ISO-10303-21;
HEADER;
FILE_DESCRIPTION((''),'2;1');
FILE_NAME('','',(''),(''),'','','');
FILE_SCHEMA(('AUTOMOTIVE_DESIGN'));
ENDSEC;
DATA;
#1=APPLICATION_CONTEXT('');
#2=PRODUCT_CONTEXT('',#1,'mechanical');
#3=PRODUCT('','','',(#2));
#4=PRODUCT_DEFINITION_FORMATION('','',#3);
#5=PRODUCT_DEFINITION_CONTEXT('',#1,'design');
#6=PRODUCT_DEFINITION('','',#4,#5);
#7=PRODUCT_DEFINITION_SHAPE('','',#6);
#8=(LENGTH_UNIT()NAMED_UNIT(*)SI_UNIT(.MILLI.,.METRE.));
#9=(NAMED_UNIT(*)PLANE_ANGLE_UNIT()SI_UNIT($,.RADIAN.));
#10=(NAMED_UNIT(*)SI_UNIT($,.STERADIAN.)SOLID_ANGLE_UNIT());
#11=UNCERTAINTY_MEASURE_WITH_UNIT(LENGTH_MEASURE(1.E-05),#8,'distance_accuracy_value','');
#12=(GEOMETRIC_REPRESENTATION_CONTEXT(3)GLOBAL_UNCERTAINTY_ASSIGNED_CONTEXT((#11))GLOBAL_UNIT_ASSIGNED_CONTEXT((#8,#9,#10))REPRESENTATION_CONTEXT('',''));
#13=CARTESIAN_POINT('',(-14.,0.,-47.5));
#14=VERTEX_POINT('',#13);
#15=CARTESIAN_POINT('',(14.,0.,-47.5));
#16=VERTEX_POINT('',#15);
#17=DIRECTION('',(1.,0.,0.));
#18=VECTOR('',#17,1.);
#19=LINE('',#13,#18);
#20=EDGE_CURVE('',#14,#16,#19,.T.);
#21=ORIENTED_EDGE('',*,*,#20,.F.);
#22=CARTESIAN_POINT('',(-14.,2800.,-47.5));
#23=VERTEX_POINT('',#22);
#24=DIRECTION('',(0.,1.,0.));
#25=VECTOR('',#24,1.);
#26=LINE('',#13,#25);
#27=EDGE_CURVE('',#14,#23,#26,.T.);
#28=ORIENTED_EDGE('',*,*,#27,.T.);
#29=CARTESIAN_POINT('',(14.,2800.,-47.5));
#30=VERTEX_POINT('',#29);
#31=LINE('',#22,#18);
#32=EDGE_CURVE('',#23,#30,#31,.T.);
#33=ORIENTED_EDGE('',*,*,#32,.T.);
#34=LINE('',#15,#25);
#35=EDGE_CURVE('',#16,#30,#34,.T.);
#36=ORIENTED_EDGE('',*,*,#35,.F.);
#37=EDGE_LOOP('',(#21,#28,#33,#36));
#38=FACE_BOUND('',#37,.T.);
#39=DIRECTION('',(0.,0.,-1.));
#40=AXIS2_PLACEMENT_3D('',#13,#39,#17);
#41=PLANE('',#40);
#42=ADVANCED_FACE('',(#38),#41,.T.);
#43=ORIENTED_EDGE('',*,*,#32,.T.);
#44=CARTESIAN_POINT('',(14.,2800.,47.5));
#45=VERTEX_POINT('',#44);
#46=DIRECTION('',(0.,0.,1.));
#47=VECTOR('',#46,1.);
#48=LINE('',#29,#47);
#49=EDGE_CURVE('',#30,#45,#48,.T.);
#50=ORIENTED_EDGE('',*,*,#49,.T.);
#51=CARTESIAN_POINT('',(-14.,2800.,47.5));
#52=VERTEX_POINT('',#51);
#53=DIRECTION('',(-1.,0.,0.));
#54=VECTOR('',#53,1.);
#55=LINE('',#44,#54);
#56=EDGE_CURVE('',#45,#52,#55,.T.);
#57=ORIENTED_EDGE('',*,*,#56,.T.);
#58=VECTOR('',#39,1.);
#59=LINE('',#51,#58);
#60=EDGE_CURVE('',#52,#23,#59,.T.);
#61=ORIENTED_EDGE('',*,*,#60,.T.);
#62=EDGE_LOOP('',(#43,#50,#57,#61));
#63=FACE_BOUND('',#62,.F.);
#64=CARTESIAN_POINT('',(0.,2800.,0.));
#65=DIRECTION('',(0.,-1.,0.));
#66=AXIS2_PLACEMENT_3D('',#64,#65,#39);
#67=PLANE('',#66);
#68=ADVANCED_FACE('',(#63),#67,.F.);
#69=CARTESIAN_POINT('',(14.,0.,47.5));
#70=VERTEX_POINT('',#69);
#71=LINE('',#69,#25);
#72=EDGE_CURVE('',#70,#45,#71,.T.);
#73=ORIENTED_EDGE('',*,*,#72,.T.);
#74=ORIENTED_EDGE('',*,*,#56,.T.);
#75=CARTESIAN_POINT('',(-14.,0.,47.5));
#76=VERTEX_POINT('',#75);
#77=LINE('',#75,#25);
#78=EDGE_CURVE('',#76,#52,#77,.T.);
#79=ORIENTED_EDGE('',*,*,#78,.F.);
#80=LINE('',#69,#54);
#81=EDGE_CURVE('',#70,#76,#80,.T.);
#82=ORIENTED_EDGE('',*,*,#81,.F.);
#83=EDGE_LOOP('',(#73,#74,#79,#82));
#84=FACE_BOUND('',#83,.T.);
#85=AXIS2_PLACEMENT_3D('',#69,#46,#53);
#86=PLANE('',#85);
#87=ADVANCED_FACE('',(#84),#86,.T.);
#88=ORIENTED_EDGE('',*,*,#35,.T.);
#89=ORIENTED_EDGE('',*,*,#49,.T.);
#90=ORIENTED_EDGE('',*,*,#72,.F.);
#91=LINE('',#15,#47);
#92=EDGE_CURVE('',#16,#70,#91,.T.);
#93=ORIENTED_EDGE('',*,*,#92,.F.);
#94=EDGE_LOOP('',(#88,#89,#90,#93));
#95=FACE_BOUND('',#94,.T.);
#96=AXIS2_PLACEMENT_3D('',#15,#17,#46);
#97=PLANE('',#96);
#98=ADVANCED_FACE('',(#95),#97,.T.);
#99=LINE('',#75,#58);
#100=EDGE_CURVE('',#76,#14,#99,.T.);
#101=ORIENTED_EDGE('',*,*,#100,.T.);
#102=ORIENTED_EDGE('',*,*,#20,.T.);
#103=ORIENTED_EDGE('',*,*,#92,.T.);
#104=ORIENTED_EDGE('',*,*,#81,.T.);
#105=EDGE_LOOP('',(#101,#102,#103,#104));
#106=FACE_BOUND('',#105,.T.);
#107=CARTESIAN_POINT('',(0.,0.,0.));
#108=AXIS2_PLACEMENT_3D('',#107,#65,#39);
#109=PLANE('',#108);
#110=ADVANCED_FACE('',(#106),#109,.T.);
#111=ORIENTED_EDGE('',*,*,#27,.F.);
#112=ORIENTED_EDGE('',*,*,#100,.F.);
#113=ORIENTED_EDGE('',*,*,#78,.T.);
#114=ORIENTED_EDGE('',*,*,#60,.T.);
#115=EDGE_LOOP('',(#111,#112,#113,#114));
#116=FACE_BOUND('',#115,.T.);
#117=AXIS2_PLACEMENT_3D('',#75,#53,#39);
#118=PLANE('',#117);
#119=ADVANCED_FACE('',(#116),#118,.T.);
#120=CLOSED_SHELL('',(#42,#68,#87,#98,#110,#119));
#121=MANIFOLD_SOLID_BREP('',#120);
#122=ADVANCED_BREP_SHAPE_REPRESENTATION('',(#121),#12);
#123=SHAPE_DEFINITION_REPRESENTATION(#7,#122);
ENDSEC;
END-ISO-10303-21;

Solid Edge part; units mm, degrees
sketch "Sketch1" plane through (0, 0, 0) normal (0, -1, 0) x (1, 0, 0)
  line L0 (-14, -47.5) -> (14, -47.5)
  line L1 (14, -47.5) -> (14, 47.5)
  line L2 (14, 47.5) -> (-14, 47.5)
  line L3 (-14, 47.5) -> (-14, -47.5)
extrude "Protrusion1" add sketch "Sketch1" against normal blind 2800
